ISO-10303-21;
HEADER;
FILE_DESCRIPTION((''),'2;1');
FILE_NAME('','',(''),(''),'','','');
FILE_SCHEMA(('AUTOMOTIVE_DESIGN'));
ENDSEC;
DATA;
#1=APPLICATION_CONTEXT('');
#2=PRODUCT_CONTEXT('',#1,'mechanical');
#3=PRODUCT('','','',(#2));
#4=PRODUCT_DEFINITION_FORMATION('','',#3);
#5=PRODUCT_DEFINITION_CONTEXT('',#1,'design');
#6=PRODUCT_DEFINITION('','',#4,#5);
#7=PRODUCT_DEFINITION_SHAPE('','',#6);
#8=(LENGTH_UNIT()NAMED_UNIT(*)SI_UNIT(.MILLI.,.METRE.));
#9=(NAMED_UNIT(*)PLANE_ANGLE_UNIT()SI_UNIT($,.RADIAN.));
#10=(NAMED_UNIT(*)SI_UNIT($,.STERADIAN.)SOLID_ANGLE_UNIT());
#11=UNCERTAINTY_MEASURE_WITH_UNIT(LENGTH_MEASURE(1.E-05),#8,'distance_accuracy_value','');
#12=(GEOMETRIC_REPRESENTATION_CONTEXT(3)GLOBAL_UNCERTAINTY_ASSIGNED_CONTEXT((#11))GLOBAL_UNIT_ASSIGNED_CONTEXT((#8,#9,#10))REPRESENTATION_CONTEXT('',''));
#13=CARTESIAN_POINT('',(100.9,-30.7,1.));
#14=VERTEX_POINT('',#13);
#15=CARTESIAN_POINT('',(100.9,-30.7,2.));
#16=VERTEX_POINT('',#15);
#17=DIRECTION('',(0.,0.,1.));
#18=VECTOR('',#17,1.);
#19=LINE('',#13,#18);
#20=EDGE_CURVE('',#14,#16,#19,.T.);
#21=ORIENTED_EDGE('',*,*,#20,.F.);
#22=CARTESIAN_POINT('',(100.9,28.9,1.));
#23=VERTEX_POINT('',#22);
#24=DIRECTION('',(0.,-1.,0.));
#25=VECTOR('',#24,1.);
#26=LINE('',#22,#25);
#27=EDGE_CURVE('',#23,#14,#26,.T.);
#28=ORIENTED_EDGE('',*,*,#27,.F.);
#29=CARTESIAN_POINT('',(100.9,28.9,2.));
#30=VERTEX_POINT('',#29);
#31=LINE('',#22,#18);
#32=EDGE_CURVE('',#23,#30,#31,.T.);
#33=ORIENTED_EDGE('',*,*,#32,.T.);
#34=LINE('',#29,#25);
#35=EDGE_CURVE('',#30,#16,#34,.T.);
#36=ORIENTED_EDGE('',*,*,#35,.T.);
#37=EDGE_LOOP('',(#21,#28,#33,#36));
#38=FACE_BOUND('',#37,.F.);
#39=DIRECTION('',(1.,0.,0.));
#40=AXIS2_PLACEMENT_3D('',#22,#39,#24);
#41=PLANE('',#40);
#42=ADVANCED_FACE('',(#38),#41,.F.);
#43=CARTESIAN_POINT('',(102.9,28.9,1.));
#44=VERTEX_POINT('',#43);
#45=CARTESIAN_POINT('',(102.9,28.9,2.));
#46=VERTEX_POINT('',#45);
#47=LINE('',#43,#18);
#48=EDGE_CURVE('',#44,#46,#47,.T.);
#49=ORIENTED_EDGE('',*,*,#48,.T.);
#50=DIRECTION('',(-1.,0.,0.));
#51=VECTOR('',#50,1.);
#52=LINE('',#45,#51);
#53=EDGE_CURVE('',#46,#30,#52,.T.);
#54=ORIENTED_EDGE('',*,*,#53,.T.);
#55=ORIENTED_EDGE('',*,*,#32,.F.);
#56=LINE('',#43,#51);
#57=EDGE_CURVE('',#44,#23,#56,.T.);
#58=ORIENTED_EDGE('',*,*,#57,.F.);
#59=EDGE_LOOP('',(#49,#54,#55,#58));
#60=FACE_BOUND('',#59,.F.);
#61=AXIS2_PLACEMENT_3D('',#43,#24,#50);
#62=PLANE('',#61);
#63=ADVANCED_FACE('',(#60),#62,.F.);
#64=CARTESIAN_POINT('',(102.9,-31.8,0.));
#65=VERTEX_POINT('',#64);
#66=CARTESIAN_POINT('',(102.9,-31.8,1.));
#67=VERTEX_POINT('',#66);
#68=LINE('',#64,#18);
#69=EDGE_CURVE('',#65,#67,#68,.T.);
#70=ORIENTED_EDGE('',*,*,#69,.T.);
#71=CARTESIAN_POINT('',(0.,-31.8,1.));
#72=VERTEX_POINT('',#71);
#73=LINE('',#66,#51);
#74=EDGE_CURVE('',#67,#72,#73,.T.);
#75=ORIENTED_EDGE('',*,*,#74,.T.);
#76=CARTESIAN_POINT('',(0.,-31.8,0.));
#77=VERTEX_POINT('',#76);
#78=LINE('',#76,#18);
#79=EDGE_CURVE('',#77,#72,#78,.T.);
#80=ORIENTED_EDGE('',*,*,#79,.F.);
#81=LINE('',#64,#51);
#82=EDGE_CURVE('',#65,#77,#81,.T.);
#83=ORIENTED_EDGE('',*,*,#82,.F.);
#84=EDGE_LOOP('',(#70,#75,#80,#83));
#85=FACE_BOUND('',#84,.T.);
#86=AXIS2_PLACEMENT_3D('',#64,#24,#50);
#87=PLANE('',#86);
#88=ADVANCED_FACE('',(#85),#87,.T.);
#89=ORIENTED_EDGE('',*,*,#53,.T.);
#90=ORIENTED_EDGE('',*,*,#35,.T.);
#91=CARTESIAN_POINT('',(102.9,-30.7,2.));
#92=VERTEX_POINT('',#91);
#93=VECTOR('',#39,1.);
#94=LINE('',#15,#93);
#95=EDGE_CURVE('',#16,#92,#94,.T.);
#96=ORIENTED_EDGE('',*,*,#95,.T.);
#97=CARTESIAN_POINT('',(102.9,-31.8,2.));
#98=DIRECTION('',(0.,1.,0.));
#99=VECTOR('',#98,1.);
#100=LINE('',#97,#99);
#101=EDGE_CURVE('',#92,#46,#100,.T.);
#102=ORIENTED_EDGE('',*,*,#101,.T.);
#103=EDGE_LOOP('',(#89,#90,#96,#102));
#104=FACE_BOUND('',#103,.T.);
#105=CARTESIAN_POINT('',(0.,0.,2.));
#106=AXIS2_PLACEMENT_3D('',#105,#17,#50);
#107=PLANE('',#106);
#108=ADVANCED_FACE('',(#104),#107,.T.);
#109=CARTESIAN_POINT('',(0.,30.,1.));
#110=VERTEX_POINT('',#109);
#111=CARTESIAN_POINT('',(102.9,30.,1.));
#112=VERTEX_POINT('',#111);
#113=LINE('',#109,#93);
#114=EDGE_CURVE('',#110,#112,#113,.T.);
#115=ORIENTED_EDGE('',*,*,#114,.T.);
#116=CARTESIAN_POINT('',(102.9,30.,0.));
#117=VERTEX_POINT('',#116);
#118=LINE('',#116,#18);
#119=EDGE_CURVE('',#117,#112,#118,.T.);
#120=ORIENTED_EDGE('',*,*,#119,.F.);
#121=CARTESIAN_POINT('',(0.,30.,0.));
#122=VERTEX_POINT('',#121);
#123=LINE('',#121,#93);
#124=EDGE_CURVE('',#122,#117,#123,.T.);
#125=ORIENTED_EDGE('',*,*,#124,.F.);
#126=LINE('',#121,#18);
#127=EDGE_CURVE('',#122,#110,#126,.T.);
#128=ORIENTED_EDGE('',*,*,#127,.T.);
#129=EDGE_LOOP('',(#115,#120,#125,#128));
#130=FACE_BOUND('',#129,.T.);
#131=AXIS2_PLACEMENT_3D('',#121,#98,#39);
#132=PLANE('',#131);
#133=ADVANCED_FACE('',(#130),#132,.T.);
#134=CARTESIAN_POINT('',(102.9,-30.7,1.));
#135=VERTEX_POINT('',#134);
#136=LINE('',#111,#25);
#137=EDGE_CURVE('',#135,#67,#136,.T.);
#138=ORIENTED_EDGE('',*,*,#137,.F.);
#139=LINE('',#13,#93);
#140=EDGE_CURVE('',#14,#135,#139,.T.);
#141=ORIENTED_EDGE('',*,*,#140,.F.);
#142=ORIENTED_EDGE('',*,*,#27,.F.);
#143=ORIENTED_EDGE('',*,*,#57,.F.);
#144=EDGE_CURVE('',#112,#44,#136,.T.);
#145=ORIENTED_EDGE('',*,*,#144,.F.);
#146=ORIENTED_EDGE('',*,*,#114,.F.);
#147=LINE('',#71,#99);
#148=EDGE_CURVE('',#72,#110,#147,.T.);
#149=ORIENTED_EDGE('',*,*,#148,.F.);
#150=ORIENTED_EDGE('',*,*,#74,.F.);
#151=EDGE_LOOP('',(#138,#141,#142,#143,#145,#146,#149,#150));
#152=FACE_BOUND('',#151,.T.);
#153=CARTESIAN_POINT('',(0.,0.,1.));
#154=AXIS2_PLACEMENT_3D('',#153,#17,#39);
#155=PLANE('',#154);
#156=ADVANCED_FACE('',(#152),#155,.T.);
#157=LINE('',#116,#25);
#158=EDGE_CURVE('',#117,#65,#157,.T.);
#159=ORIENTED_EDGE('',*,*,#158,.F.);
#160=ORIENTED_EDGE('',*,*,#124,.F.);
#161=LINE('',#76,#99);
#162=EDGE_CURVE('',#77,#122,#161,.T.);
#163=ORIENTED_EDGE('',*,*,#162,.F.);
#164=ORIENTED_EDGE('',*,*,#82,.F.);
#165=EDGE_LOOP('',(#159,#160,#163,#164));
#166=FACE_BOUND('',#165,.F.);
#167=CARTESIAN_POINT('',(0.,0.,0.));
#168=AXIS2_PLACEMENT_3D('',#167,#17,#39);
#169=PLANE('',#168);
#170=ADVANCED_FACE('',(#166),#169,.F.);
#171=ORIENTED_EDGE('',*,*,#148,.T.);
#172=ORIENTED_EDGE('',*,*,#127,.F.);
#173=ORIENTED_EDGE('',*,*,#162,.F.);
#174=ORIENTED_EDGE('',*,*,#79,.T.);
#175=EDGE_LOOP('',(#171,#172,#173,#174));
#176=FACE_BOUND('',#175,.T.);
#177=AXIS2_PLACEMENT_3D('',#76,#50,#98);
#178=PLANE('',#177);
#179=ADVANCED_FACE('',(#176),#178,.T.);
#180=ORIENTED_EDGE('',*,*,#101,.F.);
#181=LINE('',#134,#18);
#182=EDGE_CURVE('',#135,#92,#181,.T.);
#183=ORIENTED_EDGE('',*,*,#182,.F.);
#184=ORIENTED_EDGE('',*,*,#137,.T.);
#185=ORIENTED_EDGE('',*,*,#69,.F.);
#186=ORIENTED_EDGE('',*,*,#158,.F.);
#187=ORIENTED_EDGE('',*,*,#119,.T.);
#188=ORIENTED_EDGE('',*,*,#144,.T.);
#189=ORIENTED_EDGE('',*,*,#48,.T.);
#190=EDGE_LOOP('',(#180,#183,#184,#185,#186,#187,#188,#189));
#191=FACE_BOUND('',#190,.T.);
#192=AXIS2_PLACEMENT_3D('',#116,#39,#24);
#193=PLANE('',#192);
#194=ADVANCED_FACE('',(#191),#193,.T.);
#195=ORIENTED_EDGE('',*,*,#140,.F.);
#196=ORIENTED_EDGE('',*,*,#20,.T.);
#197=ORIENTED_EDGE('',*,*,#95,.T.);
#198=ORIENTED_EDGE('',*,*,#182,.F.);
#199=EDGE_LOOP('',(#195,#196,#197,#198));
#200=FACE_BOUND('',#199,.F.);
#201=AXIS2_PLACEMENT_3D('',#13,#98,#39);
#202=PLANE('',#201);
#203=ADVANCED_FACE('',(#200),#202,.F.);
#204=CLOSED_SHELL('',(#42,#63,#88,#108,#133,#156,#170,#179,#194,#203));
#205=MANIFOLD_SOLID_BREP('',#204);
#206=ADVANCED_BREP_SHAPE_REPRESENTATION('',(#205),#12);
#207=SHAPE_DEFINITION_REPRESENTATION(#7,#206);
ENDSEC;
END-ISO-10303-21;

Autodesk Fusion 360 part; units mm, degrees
sketch "Sketch1" plane through (0, 0, 0) normal (0, 0, 1) x (1, 0, 0)
  line L0 (0, 30) -> (102.9, 30)
  line L1 (102.9, 30) -> (102.9, -31.8)
  line L2 (102.9, -31.8) -> (0, -31.8)
  line L3 (0, -31.8) -> (0, 30)
  dimension "d1" = 102.9
  dimension "d2" = 61.8
extrude "Extrude1" add sketch "Sketch1" along normal blind 1
sketch "Sketch2" plane through (0, 0, 1) normal (0, 0, 1) x (-1, 0, 0)
  line L0 (0, 31.8) -> (-102.9, 31.8)
  line L1 (-102.9, 31.8) -> (-102.9, -30)
  line L2 (-102.9, -30) -> (0, -30)
  line L3 (0, -30) -> (0, 31.8)
  line L4 (0, 0.9) -> (-102.9, 0.9) construction
  line L5 (-102.9, -28.9) -> (-100.9, -28.9)
  line L6 (-100.9, -28.9) -> (-100.9, 30.7)
  line L7 (-100.9, 30.7) -> (-102.9, 30.7)
  line L8 (-102.9, 30.7) -> (-102.9, -28.9)
  dimension "d6" = 2
  dimension "d9" = 1.1
  dimension "d9" = 1.1
extrude "Extrude2" add sketch "Sketch2" along normal blind 1 contours L1 L5 L6 L7 L8
